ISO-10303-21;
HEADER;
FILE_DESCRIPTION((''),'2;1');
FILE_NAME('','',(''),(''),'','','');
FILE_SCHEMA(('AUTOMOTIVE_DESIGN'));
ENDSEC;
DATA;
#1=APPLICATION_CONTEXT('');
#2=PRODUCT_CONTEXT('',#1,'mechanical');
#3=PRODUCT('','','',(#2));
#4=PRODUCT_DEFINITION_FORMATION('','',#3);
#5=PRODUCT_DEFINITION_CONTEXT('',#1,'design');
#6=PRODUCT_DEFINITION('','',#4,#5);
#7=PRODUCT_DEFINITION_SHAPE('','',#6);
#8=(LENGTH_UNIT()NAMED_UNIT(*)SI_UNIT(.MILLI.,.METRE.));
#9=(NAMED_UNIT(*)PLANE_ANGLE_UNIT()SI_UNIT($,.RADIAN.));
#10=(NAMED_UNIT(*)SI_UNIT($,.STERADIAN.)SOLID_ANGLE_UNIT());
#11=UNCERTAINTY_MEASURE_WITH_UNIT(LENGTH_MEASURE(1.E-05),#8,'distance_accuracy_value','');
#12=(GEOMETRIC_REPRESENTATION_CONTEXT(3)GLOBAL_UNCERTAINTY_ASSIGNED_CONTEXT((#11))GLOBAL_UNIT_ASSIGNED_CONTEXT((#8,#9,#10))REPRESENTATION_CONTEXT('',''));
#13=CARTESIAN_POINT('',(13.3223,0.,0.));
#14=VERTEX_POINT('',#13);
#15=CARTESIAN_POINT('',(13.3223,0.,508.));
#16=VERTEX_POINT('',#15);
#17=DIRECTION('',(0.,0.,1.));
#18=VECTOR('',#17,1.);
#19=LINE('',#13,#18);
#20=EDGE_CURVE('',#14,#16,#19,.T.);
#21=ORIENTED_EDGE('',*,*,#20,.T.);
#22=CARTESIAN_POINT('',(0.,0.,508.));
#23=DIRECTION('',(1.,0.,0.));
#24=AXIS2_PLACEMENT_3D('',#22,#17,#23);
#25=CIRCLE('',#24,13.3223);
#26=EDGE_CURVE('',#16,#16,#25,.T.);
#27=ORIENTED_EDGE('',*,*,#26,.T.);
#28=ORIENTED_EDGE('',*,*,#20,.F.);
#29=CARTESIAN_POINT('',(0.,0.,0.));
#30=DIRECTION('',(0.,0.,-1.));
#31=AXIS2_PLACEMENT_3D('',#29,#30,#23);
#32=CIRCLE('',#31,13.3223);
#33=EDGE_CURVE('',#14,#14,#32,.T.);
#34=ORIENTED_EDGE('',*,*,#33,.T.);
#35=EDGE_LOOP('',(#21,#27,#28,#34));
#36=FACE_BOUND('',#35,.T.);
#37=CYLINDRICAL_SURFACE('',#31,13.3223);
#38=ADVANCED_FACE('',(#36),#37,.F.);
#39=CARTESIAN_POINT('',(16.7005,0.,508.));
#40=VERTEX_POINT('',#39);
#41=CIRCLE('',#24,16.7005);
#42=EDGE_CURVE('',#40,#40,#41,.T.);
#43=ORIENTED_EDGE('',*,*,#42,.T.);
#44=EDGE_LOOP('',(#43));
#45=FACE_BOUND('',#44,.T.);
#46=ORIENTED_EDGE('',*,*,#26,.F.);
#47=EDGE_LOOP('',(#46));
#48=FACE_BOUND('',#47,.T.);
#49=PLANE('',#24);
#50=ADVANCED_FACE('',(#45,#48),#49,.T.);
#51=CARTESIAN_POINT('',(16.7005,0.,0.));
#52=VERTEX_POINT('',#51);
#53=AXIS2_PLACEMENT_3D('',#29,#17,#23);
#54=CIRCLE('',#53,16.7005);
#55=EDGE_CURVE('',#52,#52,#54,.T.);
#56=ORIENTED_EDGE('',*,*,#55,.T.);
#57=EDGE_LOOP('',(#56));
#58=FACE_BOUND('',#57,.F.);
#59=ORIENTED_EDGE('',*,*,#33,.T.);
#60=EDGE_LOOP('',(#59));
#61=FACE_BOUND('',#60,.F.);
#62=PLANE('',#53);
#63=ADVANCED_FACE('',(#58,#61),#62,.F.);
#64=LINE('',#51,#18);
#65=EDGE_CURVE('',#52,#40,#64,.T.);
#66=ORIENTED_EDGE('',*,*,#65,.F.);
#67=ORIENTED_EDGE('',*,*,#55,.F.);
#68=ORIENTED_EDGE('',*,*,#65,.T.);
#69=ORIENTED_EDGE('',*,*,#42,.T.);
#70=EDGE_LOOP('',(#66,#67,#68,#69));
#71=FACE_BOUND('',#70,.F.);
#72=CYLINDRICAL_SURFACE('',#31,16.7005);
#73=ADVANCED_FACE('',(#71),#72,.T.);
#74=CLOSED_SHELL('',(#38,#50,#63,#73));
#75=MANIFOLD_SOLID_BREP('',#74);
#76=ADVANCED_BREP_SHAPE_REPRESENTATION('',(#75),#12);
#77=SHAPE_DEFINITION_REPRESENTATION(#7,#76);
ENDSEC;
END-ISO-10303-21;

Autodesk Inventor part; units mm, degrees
ref_plane "Start plane" through (0, 0, 0) normal (0, 0, 1) x (1, 0, 0)
ref_plane "End plane" through (0, 0, 508) normal (0, 0, 1) x (1, 0, 0)
sketch "Sketch" plane through (0, 0, 0) normal (0, 0, 1) x (1, 0, 0)
  circle A0 centre (0, 0) radius 13.3223
  circle A1 centre (0, 0) radius 16.7005
  dimension "d0" = 33.401
  dimension "d1" = 3.3782
extrude "Body" add sketch "Sketch" along normal up to surface (508 mm away) from surface at 0
sketch "Sketch3" plane through (0, 0, 0) normal (0, 0, 1) x (1, 0, 0)
  line L0 (0, 0) -> (10, 0)
ref_plane "Work Plane3" through (0, 0, 0) normal (0, -1, 0) x (1, 0, 0)
sketch "Sketch4" plane through (0, 0, 0) normal (0, -1, 0) x (1, 0, 0)
  line L0 (-2, 0) -> (12, 0)
  line L1 (-2, 508) -> (12, 508)
  dimension "d7" = 508
ref_plane "Work Plane4" through (0, -8694.4412, -33.401) normal (0, -0.7071, 0.7071) x (1, 0, 0)
ref_plane "Work Plane5" through (0, 4355.5708, -33.401) normal (0, 0.7071, 0.7071) x (1, 0, 0)
ref_plane "Work Plane6" through (0, -2169.4352, -16.7005) normal (0, 1, 0) x (1, 0, 0)
sketch "Sketch5" plane through (0, -2169.4352, -16.7005) normal (0, 1, 0) x (1, 0, 0)
  circle A0 centre (0, 0) radius 16.7005
  circle A1 centre (0, 0) radius 13.3223
extrude "Extrusion2" cut sketch "Sketch5" along normal up to surface from surface at -6525.006 contours A0 | A1 surface through (0, 4355.5708, -33.401) normal (0, 0.7071, 0.7071)
equation "\"d0\" = G_H"
equation "\"d1\" = G_T"
equation "\"d2\" = G_L"
equation "\"G_H\" = 33.401"
equation "\"G_T\" = 3.3782"
equation "\"G_L\" = d7"
equation "\"G_OFFSET_START\" = 0"
equation "\"G_OFFSET_END\" = 0"
equation "\"d5\" = G_OFFSET_END + B_L"
equation "\"B_L\" = 508"
properties part number "ANSI - 1 x 0.133 - 20" material "Aluminum 6061"
